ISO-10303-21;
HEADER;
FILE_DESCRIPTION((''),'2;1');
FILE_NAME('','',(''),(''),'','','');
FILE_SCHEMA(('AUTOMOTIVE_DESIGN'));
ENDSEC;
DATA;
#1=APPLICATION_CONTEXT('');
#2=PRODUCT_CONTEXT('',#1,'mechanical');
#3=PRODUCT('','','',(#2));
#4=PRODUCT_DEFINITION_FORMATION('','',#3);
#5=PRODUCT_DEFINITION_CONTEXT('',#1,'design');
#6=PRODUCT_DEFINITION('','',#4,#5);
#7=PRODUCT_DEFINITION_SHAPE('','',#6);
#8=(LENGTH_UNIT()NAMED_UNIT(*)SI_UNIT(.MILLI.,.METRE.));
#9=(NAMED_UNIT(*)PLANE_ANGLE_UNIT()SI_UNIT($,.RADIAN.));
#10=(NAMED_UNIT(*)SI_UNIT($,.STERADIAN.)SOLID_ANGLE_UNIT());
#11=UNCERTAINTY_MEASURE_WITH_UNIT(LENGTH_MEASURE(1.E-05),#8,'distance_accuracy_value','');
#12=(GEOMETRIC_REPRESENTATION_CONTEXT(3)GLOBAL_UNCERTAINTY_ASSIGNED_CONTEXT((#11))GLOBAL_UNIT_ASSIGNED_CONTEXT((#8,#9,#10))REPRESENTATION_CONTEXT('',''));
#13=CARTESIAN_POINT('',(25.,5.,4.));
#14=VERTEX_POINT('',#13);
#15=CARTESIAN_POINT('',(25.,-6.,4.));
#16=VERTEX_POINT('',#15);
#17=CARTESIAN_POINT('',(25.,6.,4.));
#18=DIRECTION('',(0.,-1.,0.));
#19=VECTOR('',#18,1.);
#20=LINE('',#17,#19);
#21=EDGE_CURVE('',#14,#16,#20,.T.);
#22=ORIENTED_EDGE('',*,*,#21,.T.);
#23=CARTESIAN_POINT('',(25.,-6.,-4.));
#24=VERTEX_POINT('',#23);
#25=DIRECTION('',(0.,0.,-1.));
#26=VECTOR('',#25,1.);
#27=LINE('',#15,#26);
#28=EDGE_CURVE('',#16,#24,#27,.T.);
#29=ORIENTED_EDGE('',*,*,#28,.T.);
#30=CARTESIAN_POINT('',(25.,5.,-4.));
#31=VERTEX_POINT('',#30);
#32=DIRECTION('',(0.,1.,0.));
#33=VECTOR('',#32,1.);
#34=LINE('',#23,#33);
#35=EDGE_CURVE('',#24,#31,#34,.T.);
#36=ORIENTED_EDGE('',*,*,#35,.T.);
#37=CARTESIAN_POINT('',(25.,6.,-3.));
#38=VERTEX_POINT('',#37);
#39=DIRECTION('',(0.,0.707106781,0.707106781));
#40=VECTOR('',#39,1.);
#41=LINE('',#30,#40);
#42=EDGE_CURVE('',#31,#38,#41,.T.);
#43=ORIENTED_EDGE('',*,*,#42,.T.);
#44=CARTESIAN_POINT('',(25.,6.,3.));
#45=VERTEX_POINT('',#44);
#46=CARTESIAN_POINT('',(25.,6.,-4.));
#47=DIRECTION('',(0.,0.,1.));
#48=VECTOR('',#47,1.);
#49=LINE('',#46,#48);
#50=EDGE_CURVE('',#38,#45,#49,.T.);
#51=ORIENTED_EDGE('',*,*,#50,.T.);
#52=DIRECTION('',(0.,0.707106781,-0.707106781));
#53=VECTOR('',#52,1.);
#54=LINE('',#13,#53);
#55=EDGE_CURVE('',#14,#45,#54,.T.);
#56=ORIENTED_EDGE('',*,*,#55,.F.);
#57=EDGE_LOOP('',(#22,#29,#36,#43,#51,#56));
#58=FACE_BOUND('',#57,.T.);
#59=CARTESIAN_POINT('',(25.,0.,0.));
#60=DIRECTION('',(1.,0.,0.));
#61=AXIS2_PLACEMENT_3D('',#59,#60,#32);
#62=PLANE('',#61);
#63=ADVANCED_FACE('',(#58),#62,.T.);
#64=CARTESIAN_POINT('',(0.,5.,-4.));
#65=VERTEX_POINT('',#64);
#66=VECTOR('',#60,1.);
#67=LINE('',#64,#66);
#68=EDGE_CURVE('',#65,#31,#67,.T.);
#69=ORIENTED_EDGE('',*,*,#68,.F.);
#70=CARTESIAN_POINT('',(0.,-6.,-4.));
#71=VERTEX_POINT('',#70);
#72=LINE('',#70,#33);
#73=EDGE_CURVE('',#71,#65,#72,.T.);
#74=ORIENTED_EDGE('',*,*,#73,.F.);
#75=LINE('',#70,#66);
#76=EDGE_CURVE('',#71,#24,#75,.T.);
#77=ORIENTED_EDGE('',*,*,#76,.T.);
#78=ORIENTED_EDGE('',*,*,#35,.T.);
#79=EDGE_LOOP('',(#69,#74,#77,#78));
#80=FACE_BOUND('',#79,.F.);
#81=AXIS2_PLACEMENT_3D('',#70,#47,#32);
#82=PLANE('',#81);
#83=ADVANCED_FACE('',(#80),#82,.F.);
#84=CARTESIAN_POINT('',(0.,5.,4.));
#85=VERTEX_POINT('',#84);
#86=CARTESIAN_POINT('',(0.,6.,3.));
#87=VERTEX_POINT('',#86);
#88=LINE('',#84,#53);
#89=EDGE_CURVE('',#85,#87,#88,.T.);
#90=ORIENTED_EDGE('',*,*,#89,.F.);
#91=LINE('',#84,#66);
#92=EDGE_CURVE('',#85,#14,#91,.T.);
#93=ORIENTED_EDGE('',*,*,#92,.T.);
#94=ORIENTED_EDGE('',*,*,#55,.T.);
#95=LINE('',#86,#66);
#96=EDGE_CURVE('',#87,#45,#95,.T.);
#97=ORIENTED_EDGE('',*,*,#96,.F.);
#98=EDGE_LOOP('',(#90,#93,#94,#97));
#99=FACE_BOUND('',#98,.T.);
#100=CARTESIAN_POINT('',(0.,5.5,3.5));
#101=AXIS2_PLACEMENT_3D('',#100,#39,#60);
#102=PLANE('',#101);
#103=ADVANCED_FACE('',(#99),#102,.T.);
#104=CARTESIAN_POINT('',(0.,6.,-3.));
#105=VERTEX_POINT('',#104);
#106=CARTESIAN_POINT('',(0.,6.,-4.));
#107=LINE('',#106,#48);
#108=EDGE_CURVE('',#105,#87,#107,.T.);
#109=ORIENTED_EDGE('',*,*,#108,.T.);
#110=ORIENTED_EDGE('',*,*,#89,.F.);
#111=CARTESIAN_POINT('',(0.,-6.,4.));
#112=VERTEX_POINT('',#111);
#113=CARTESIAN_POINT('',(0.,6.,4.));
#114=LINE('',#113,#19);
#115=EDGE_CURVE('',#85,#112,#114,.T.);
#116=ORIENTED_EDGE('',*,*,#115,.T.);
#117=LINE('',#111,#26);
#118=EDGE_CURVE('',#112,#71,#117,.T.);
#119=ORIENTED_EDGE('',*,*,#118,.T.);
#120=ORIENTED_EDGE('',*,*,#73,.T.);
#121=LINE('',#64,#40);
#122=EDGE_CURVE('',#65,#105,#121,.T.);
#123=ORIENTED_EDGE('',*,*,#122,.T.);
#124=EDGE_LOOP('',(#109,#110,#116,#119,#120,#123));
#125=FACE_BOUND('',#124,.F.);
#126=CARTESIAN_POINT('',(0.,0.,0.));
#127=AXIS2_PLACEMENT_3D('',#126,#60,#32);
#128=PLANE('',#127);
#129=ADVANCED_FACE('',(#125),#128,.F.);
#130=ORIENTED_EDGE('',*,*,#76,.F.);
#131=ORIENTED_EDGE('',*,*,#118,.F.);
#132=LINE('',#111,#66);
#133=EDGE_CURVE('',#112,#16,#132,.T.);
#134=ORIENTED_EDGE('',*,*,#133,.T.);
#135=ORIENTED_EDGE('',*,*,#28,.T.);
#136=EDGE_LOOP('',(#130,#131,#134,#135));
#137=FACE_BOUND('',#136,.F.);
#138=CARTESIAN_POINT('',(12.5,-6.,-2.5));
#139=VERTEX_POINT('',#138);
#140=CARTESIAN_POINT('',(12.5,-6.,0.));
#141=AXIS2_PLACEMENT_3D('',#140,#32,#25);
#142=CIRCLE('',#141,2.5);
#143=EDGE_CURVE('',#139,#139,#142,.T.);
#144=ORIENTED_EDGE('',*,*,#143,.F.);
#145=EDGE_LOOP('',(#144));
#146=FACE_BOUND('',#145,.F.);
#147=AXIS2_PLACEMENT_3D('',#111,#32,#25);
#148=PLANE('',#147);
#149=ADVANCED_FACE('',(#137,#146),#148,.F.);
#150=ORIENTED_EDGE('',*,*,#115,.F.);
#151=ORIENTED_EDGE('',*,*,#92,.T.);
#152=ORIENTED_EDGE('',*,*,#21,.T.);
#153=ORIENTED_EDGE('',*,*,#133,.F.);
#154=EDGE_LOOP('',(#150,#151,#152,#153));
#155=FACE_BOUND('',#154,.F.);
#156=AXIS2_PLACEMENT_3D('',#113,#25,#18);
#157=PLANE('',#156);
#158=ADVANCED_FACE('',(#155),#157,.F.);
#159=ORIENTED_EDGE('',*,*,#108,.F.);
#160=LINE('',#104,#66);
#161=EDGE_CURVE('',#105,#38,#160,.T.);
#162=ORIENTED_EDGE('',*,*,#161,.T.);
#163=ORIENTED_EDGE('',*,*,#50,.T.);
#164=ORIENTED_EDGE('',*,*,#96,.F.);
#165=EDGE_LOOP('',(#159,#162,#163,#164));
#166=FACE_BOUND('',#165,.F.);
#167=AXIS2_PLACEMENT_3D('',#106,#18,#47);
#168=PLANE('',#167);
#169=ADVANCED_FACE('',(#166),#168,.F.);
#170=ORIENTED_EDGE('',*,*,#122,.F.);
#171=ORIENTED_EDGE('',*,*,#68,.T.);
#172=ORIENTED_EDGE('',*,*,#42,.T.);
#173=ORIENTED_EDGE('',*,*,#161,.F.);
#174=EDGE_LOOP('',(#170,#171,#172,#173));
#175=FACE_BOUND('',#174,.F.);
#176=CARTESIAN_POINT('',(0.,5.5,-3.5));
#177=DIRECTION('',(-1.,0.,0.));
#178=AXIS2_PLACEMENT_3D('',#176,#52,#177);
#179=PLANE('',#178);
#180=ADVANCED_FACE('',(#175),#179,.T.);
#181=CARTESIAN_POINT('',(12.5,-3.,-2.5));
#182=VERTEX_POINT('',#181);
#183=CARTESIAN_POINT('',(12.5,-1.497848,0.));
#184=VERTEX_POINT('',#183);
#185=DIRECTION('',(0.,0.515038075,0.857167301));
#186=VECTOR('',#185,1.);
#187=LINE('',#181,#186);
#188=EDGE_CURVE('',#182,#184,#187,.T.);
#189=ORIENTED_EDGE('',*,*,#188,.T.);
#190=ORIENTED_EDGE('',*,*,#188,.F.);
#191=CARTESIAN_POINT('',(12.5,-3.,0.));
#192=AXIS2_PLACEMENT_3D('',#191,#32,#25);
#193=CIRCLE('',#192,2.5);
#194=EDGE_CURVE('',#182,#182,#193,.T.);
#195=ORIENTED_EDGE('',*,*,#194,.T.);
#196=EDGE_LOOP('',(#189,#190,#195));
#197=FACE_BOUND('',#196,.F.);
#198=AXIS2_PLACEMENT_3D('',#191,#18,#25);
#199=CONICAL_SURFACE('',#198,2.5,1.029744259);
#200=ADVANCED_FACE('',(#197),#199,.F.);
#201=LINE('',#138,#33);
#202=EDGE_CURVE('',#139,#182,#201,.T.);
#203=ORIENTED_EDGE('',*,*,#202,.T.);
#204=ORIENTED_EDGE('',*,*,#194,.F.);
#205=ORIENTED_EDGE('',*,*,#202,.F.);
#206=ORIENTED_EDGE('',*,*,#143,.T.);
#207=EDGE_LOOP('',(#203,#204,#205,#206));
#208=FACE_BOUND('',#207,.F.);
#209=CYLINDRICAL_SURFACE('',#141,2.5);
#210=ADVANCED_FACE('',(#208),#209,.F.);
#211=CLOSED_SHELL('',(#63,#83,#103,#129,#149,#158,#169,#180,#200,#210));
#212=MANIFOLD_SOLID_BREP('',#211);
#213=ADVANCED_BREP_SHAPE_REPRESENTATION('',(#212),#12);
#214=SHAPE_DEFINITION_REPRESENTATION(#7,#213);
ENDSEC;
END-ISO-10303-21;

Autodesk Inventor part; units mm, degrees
ref_plane "YZ Plane" through (0, 0, 0) normal (1, 0, 0) x (0, 1, 0)
ref_plane "XZ Plane" through (0, 0, 0) normal (0, 1, 0) x (-1, 0, 0)
ref_plane "XY Plane" through (0, 0, 0) normal (0, 0, 1) x (1, 0, 0)
sketch "Sketch1" plane through (0, 0, 0) normal (1, 0, 0) x (0, 1, 0)
  line L0 (-6, -4) -> (6, -4)
  line L1 (6, -4) -> (6, 4)
  line L2 (6, 4) -> (-6, 4)
  line L3 (-6, 4) -> (-6, -4)
  line L4 (-6, -4) -> (6, 4) construction
  line L5 (6, -4) -> (-6, 4) construction
  point P0 (0, 0)
  dimension "d0" = 12
  dimension "d1" = 8
extrude "Extrusion1" add sketch "Sketch1" along normal blind 25
sketch "Sketch2" plane through (0, -6, -4) normal (0, -1, 0) x (1, 0, 0)
  line L0 (0, 8) -> (25, 8) projected
  line L1 (0, 8) -> (0, 0) projected
  point P0 (0, 4)
  point P1 (12.5, 4)
  point P2 (12.5, 8)
  point P3 (0, 4)
hole "Hole1" at (12.5, -6, 0) direction (0, 1, 0) diameter 5 depth 3 tip angle 118
chamfer "Chamfer1" distance 1 angle 45 2 edges at (12.5, 6, -4) (12.5, 6, 4)
properties part number "Jaw" material "Aluminum 6061"
